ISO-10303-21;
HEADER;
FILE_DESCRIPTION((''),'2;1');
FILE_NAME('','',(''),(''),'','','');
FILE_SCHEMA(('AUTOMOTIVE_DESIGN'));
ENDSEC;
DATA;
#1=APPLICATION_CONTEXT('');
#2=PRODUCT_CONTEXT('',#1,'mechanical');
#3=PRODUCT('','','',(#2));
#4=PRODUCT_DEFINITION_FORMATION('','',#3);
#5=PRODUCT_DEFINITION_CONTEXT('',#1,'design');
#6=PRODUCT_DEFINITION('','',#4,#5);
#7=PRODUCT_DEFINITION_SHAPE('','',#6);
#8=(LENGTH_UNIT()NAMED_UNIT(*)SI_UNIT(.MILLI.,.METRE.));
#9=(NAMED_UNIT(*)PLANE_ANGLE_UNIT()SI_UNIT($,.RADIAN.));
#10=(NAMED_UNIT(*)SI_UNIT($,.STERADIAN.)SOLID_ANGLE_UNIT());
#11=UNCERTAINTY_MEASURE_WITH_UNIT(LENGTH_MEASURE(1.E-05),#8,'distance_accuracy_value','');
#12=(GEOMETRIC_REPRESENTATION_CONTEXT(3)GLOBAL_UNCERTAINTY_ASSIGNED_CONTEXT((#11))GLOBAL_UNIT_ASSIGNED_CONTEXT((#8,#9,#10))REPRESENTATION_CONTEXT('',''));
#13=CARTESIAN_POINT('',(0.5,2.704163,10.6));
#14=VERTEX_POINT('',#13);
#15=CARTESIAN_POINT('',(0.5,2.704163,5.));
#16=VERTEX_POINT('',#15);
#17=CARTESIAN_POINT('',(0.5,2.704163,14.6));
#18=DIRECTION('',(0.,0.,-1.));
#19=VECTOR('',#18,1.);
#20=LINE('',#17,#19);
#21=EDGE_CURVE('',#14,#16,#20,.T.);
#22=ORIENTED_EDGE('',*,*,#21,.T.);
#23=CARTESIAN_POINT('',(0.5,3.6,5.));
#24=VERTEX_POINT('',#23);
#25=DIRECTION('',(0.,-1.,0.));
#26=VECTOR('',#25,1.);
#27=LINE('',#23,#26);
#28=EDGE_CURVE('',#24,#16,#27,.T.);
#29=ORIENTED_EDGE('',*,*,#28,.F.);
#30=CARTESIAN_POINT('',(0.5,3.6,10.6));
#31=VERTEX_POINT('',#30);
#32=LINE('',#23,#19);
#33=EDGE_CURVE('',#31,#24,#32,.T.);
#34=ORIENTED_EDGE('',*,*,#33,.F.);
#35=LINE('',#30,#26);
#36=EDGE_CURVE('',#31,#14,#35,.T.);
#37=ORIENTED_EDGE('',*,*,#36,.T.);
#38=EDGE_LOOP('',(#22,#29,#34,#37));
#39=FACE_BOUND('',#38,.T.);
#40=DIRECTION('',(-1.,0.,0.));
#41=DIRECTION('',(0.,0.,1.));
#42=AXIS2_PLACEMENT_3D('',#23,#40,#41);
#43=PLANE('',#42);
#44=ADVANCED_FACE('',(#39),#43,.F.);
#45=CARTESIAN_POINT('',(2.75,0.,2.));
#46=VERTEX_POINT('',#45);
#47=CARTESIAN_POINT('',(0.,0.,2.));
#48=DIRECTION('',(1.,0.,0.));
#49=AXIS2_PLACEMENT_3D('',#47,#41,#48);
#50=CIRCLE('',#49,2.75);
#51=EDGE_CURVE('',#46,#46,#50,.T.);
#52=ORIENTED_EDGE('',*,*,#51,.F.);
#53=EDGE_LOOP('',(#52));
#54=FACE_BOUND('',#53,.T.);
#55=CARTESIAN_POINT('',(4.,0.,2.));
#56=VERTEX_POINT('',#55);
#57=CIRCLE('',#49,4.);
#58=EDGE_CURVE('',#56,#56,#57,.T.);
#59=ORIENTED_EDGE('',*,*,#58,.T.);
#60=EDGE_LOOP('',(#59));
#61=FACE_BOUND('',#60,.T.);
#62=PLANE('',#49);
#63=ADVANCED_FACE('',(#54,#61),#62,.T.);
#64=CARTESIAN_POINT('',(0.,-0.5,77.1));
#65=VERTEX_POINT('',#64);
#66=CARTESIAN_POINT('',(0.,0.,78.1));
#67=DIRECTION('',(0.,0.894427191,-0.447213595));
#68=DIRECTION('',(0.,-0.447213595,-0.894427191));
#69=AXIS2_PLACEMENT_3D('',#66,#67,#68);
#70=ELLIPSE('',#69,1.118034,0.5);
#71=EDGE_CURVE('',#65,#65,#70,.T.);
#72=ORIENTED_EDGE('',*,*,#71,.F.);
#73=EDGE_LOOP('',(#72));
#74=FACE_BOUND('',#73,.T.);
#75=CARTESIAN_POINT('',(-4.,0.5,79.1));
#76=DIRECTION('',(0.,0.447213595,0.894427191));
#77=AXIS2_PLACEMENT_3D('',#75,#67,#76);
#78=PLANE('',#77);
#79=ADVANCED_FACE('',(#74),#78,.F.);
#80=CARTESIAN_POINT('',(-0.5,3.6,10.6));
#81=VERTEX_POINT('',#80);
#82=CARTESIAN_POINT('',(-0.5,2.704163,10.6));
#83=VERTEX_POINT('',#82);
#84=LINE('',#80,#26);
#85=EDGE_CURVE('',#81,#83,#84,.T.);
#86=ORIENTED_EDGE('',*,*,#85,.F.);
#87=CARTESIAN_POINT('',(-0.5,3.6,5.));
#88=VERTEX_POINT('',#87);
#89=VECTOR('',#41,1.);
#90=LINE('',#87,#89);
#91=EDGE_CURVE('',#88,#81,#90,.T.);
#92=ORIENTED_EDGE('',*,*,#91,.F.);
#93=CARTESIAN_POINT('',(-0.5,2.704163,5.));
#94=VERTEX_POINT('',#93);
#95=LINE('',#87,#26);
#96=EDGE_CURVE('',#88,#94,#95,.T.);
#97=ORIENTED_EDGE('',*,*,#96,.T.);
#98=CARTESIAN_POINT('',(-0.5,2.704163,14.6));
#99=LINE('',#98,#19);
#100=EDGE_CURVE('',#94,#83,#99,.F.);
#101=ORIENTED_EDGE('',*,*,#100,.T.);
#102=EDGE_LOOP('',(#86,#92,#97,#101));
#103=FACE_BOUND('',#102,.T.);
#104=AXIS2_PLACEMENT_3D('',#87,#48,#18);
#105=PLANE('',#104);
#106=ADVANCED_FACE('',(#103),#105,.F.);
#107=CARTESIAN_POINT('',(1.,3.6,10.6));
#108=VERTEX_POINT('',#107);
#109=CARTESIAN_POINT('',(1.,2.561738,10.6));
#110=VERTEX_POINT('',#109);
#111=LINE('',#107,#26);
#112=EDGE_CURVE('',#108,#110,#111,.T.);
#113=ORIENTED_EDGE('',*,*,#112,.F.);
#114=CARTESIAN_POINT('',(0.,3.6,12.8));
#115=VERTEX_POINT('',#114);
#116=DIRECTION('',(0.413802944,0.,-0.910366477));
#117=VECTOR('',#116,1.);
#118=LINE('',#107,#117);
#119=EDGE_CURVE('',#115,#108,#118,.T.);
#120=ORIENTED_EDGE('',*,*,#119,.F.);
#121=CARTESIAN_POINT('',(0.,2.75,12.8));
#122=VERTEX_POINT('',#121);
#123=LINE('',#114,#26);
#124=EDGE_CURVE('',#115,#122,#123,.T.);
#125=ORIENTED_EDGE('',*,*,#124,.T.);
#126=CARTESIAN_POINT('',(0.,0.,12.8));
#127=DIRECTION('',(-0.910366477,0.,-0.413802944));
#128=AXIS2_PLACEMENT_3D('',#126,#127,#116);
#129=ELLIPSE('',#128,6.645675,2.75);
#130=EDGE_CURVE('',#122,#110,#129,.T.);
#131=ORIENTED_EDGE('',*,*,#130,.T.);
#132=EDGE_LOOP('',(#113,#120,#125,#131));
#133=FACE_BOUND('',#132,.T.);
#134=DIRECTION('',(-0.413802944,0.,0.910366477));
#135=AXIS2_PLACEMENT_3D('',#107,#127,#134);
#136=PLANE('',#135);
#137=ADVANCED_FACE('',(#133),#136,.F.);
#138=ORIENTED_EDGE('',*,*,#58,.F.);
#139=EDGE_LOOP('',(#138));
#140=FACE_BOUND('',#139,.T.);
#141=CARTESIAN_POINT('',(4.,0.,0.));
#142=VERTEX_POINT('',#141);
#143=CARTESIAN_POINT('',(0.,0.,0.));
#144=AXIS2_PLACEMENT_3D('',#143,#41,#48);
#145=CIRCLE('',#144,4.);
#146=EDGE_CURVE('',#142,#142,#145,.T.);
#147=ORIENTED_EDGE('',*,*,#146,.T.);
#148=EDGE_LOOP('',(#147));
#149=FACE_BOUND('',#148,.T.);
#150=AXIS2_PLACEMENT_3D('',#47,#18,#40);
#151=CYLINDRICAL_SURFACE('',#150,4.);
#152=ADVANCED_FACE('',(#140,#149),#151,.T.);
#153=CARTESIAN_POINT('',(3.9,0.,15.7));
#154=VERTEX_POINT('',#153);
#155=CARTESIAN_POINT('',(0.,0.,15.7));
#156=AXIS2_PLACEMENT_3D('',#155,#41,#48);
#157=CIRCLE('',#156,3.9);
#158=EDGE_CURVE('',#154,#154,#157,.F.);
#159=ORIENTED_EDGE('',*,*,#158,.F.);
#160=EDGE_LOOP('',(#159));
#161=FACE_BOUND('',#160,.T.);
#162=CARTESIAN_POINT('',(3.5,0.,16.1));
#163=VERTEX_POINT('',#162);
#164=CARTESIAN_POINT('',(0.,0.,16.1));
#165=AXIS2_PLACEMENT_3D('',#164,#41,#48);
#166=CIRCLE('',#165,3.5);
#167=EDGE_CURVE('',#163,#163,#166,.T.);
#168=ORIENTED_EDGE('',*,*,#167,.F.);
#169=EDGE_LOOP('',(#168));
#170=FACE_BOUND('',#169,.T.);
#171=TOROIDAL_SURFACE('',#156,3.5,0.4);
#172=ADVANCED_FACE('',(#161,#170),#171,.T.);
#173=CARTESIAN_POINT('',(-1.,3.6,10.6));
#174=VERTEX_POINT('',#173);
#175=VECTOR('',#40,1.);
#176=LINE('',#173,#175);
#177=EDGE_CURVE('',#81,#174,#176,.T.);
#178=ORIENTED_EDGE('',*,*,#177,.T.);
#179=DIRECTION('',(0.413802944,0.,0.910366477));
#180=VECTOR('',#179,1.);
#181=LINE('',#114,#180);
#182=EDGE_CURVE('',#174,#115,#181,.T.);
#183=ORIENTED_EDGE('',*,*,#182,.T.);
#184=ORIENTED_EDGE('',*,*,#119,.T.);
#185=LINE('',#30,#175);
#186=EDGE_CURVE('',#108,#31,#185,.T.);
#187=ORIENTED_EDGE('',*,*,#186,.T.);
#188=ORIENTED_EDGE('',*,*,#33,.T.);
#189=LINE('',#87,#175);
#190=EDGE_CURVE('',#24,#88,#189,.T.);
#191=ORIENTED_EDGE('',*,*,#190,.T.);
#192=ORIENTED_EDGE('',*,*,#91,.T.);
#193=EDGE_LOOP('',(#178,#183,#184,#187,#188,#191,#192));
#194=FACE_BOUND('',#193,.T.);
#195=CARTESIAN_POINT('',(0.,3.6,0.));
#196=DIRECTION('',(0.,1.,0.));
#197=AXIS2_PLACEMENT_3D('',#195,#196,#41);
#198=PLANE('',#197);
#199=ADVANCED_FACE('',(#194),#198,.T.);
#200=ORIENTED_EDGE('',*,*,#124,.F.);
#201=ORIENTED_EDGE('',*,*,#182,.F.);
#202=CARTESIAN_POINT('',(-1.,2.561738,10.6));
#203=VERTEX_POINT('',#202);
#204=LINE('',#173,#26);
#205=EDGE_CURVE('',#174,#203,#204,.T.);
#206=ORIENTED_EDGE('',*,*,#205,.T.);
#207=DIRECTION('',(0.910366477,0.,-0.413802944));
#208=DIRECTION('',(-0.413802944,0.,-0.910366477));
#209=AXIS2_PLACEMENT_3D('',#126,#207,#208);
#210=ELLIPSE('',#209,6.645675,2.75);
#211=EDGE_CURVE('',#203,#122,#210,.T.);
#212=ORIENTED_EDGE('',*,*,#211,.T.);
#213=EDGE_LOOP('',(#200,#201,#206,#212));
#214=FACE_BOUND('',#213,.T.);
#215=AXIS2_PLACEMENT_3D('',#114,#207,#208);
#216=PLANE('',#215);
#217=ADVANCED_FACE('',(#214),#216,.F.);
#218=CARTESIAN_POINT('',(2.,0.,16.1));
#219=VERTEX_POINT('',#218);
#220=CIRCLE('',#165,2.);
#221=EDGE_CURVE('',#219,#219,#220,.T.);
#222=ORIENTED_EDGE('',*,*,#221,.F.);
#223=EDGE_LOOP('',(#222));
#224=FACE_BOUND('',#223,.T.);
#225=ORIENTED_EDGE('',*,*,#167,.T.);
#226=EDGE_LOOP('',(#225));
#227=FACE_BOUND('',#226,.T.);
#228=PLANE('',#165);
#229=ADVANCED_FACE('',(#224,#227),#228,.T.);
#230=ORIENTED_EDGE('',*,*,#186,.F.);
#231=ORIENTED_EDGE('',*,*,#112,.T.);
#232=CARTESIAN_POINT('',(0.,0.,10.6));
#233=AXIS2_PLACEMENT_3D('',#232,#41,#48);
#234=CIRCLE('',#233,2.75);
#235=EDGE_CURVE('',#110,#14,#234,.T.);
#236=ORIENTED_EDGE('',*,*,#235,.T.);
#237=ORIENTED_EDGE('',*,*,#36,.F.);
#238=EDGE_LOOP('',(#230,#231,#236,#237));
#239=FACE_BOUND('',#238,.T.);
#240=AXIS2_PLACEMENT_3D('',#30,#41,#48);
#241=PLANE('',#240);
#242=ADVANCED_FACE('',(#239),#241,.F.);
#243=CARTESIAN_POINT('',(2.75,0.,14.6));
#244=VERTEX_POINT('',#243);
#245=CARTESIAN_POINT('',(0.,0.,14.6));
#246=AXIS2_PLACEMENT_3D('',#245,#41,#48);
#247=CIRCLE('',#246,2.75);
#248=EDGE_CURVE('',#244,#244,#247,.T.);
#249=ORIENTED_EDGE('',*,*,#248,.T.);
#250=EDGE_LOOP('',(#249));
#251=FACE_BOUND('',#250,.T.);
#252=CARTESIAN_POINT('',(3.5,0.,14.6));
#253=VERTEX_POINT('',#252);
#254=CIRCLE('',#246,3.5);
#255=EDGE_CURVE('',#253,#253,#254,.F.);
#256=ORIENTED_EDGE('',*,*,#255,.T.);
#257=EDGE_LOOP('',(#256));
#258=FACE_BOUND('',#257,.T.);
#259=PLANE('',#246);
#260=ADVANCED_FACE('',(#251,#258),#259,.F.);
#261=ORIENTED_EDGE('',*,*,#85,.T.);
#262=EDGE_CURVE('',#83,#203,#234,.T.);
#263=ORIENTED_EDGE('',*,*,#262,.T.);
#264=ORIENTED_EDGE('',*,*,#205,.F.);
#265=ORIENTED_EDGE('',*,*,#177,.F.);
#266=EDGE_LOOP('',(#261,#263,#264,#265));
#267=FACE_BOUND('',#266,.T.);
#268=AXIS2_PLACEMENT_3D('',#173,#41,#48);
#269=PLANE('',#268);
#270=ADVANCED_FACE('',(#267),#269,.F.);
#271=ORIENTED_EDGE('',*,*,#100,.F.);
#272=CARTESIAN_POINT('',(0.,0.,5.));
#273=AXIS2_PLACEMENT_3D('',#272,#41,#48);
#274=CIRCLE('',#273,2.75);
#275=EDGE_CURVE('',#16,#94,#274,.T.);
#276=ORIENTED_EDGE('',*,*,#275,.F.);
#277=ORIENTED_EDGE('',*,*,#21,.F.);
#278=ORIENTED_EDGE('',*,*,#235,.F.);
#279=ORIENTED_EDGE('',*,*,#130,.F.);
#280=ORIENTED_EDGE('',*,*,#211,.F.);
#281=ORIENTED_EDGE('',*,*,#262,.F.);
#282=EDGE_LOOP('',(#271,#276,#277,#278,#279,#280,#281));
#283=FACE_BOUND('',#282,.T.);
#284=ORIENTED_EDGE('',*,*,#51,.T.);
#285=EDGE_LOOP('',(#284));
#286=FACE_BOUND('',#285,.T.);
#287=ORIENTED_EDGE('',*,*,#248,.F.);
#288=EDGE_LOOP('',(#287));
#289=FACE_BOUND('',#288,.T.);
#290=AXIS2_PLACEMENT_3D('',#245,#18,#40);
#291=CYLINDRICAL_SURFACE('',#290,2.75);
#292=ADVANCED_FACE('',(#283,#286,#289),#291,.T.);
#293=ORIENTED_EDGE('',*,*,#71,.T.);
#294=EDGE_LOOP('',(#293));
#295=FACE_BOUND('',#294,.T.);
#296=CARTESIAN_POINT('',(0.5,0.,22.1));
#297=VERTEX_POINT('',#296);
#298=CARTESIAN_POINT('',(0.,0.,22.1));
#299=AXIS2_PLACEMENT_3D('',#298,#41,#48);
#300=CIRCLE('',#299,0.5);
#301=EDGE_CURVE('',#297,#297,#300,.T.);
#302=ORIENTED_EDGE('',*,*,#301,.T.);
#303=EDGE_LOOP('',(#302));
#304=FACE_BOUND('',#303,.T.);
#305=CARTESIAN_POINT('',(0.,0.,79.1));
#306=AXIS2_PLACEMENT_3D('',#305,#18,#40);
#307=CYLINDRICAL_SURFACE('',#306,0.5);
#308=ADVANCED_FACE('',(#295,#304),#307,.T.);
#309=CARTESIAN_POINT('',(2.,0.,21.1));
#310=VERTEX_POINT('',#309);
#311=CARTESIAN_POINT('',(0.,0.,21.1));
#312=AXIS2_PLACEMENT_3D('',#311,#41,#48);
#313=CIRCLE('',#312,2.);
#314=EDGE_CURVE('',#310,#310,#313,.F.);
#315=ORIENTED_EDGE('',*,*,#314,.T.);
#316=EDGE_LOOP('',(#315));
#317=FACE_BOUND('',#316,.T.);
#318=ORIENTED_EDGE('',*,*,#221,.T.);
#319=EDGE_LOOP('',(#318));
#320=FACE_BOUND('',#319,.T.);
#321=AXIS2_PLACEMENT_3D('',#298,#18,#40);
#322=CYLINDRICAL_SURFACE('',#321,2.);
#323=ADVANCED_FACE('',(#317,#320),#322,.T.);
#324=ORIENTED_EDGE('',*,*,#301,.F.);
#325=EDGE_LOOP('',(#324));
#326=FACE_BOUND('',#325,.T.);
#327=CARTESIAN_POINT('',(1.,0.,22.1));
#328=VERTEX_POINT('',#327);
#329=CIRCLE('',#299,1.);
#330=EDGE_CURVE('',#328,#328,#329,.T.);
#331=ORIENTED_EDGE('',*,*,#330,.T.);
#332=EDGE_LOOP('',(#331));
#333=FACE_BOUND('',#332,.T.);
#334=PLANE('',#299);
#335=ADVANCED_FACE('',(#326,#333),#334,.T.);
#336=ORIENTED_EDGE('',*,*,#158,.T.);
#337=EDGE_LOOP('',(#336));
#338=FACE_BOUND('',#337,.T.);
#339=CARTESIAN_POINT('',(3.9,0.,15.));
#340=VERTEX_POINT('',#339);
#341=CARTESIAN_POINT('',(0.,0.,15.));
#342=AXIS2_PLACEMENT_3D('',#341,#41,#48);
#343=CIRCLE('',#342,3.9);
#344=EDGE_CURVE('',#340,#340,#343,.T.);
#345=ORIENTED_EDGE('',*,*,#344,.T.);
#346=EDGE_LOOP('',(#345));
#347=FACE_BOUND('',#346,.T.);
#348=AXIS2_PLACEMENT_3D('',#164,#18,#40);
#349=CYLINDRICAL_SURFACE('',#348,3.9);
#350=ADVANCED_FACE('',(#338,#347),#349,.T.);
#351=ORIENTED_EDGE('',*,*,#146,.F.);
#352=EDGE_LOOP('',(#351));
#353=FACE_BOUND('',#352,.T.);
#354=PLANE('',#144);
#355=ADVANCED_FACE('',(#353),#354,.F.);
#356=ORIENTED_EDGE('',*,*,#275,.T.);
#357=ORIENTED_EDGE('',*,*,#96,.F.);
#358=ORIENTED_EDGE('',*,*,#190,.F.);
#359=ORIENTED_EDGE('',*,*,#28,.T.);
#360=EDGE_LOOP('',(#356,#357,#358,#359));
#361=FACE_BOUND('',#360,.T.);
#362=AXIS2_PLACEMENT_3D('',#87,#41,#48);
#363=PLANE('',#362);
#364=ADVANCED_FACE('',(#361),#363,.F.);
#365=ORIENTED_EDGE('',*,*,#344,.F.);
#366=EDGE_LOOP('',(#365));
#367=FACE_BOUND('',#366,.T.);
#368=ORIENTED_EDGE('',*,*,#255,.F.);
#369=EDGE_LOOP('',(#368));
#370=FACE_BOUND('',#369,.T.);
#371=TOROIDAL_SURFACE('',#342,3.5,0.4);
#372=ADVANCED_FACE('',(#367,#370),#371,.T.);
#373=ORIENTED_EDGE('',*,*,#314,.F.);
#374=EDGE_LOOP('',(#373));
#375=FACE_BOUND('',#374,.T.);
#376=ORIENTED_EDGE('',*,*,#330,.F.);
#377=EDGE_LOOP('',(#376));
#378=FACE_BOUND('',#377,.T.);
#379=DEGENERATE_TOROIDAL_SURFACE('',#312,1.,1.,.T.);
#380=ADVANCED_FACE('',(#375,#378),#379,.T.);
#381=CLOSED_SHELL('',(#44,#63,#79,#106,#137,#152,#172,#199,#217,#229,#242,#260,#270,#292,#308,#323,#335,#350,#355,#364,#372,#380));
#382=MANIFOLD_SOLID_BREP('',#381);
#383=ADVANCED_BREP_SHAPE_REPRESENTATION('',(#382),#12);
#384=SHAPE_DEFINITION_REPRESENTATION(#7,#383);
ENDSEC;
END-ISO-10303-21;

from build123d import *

# Parameters (mm, degrees)
SKETCH1_R               = 4
BOSS_EXTRUDE1_DEPTH     = 2
SKETCH2_R               = 2.75
BOSS_EXTRUDE2_DEPTH     = 12.6
SKETCH3_R               = 3.9
BOSS_EXTRUDE3_DEPTH     = 1.5
SKETCH4_R               = 2
BOSS_EXTRUDE4_DEPTH     = 6
FILLET1_R               = 1
BOSS_EXTRUDE5_DEPTH     = 3.6
SKETCH6_R               = 0.5
BOSS_EXTRUDE6_DEPTH     = 57
CUT_EXTRUDE1_DEPTH      = 5
CUT_EXTRUDE1_DEPTH_BACK = 5
FILLET2_R               = 0.4


with BuildPart() as part:
    # Sketch1 → Boss-Extrude1 (new body)
    with BuildSketch(Plane.XY):
        Circle(SKETCH1_R)
    extrude(amount=BOSS_EXTRUDE1_DEPTH)

    # Sketch2 → Boss-Extrude2 (add)
    with BuildSketch(Plane.XY.offset(2)):
        Circle(SKETCH2_R)
    extrude(amount=BOSS_EXTRUDE2_DEPTH)

    # Sketch3 → Boss-Extrude3 (add)
    with BuildSketch(Plane.XY.offset(14.6)):
        Circle(SKETCH3_R)
    extrude(amount=BOSS_EXTRUDE3_DEPTH)

    # Sketch4 → Boss-Extrude4 (add)
    with BuildSketch(Plane.XY.offset(16.1)):
        Circle(SKETCH4_R)
    extrude(amount=BOSS_EXTRUDE4_DEPTH)

    # Fillet1
    fillet1_edges = [part.edges().sort_by_distance(p)[0] for p in [
        (-2, 0, 22.1),
    ]]
    fillet(fillet1_edges, radius=FILLET1_R)

    # Sketch5 → Boss-Extrude5 (add)
    with BuildSketch(Plane(origin=(0, 0, 0), x_dir=(1, 0, 0), z_dir=(0, 1, 0))):
        Polygon((-0.5, -5), (0.5, -5), (0.5, -10.6), (1, -10.6), (0, -12.8), (-1, -10.6), (-0.5, -10.6), align=None)
    extrude(amount=BOSS_EXTRUDE5_DEPTH)

    # Sketch6 → Boss-Extrude6 (add)
    with BuildSketch(Plane.XY.offset(22.1)):
        Circle(SKETCH6_R)
    extrude(amount=BOSS_EXTRUDE6_DEPTH)

    # Sketch7 → Cut-Extrude1 (cut, two sides)
    with BuildSketch(Plane(origin=(0, 0, 0), x_dir=(0, 0, -1), z_dir=(1, 0, 0))) as cut_extrude1_sk:
        Polygon((-79.1, 0.5), (-77.1, -0.5), (-79.1, -0.5), align=None)
    extrude(amount=CUT_EXTRUDE1_DEPTH, mode=Mode.SUBTRACT)
    extrude(cut_extrude1_sk.sketch, amount=-CUT_EXTRUDE1_DEPTH_BACK, mode=Mode.SUBTRACT)

    # Fillet2
    fillet2_edges = [part.edges().sort_by_distance(p)[0] for p in [
        (-3.9, 0, 14.6),
        (-3.9, 0, 16.1),
    ]]
    fillet(fillet2_edges, radius=FILLET2_R)


solid = part.part
